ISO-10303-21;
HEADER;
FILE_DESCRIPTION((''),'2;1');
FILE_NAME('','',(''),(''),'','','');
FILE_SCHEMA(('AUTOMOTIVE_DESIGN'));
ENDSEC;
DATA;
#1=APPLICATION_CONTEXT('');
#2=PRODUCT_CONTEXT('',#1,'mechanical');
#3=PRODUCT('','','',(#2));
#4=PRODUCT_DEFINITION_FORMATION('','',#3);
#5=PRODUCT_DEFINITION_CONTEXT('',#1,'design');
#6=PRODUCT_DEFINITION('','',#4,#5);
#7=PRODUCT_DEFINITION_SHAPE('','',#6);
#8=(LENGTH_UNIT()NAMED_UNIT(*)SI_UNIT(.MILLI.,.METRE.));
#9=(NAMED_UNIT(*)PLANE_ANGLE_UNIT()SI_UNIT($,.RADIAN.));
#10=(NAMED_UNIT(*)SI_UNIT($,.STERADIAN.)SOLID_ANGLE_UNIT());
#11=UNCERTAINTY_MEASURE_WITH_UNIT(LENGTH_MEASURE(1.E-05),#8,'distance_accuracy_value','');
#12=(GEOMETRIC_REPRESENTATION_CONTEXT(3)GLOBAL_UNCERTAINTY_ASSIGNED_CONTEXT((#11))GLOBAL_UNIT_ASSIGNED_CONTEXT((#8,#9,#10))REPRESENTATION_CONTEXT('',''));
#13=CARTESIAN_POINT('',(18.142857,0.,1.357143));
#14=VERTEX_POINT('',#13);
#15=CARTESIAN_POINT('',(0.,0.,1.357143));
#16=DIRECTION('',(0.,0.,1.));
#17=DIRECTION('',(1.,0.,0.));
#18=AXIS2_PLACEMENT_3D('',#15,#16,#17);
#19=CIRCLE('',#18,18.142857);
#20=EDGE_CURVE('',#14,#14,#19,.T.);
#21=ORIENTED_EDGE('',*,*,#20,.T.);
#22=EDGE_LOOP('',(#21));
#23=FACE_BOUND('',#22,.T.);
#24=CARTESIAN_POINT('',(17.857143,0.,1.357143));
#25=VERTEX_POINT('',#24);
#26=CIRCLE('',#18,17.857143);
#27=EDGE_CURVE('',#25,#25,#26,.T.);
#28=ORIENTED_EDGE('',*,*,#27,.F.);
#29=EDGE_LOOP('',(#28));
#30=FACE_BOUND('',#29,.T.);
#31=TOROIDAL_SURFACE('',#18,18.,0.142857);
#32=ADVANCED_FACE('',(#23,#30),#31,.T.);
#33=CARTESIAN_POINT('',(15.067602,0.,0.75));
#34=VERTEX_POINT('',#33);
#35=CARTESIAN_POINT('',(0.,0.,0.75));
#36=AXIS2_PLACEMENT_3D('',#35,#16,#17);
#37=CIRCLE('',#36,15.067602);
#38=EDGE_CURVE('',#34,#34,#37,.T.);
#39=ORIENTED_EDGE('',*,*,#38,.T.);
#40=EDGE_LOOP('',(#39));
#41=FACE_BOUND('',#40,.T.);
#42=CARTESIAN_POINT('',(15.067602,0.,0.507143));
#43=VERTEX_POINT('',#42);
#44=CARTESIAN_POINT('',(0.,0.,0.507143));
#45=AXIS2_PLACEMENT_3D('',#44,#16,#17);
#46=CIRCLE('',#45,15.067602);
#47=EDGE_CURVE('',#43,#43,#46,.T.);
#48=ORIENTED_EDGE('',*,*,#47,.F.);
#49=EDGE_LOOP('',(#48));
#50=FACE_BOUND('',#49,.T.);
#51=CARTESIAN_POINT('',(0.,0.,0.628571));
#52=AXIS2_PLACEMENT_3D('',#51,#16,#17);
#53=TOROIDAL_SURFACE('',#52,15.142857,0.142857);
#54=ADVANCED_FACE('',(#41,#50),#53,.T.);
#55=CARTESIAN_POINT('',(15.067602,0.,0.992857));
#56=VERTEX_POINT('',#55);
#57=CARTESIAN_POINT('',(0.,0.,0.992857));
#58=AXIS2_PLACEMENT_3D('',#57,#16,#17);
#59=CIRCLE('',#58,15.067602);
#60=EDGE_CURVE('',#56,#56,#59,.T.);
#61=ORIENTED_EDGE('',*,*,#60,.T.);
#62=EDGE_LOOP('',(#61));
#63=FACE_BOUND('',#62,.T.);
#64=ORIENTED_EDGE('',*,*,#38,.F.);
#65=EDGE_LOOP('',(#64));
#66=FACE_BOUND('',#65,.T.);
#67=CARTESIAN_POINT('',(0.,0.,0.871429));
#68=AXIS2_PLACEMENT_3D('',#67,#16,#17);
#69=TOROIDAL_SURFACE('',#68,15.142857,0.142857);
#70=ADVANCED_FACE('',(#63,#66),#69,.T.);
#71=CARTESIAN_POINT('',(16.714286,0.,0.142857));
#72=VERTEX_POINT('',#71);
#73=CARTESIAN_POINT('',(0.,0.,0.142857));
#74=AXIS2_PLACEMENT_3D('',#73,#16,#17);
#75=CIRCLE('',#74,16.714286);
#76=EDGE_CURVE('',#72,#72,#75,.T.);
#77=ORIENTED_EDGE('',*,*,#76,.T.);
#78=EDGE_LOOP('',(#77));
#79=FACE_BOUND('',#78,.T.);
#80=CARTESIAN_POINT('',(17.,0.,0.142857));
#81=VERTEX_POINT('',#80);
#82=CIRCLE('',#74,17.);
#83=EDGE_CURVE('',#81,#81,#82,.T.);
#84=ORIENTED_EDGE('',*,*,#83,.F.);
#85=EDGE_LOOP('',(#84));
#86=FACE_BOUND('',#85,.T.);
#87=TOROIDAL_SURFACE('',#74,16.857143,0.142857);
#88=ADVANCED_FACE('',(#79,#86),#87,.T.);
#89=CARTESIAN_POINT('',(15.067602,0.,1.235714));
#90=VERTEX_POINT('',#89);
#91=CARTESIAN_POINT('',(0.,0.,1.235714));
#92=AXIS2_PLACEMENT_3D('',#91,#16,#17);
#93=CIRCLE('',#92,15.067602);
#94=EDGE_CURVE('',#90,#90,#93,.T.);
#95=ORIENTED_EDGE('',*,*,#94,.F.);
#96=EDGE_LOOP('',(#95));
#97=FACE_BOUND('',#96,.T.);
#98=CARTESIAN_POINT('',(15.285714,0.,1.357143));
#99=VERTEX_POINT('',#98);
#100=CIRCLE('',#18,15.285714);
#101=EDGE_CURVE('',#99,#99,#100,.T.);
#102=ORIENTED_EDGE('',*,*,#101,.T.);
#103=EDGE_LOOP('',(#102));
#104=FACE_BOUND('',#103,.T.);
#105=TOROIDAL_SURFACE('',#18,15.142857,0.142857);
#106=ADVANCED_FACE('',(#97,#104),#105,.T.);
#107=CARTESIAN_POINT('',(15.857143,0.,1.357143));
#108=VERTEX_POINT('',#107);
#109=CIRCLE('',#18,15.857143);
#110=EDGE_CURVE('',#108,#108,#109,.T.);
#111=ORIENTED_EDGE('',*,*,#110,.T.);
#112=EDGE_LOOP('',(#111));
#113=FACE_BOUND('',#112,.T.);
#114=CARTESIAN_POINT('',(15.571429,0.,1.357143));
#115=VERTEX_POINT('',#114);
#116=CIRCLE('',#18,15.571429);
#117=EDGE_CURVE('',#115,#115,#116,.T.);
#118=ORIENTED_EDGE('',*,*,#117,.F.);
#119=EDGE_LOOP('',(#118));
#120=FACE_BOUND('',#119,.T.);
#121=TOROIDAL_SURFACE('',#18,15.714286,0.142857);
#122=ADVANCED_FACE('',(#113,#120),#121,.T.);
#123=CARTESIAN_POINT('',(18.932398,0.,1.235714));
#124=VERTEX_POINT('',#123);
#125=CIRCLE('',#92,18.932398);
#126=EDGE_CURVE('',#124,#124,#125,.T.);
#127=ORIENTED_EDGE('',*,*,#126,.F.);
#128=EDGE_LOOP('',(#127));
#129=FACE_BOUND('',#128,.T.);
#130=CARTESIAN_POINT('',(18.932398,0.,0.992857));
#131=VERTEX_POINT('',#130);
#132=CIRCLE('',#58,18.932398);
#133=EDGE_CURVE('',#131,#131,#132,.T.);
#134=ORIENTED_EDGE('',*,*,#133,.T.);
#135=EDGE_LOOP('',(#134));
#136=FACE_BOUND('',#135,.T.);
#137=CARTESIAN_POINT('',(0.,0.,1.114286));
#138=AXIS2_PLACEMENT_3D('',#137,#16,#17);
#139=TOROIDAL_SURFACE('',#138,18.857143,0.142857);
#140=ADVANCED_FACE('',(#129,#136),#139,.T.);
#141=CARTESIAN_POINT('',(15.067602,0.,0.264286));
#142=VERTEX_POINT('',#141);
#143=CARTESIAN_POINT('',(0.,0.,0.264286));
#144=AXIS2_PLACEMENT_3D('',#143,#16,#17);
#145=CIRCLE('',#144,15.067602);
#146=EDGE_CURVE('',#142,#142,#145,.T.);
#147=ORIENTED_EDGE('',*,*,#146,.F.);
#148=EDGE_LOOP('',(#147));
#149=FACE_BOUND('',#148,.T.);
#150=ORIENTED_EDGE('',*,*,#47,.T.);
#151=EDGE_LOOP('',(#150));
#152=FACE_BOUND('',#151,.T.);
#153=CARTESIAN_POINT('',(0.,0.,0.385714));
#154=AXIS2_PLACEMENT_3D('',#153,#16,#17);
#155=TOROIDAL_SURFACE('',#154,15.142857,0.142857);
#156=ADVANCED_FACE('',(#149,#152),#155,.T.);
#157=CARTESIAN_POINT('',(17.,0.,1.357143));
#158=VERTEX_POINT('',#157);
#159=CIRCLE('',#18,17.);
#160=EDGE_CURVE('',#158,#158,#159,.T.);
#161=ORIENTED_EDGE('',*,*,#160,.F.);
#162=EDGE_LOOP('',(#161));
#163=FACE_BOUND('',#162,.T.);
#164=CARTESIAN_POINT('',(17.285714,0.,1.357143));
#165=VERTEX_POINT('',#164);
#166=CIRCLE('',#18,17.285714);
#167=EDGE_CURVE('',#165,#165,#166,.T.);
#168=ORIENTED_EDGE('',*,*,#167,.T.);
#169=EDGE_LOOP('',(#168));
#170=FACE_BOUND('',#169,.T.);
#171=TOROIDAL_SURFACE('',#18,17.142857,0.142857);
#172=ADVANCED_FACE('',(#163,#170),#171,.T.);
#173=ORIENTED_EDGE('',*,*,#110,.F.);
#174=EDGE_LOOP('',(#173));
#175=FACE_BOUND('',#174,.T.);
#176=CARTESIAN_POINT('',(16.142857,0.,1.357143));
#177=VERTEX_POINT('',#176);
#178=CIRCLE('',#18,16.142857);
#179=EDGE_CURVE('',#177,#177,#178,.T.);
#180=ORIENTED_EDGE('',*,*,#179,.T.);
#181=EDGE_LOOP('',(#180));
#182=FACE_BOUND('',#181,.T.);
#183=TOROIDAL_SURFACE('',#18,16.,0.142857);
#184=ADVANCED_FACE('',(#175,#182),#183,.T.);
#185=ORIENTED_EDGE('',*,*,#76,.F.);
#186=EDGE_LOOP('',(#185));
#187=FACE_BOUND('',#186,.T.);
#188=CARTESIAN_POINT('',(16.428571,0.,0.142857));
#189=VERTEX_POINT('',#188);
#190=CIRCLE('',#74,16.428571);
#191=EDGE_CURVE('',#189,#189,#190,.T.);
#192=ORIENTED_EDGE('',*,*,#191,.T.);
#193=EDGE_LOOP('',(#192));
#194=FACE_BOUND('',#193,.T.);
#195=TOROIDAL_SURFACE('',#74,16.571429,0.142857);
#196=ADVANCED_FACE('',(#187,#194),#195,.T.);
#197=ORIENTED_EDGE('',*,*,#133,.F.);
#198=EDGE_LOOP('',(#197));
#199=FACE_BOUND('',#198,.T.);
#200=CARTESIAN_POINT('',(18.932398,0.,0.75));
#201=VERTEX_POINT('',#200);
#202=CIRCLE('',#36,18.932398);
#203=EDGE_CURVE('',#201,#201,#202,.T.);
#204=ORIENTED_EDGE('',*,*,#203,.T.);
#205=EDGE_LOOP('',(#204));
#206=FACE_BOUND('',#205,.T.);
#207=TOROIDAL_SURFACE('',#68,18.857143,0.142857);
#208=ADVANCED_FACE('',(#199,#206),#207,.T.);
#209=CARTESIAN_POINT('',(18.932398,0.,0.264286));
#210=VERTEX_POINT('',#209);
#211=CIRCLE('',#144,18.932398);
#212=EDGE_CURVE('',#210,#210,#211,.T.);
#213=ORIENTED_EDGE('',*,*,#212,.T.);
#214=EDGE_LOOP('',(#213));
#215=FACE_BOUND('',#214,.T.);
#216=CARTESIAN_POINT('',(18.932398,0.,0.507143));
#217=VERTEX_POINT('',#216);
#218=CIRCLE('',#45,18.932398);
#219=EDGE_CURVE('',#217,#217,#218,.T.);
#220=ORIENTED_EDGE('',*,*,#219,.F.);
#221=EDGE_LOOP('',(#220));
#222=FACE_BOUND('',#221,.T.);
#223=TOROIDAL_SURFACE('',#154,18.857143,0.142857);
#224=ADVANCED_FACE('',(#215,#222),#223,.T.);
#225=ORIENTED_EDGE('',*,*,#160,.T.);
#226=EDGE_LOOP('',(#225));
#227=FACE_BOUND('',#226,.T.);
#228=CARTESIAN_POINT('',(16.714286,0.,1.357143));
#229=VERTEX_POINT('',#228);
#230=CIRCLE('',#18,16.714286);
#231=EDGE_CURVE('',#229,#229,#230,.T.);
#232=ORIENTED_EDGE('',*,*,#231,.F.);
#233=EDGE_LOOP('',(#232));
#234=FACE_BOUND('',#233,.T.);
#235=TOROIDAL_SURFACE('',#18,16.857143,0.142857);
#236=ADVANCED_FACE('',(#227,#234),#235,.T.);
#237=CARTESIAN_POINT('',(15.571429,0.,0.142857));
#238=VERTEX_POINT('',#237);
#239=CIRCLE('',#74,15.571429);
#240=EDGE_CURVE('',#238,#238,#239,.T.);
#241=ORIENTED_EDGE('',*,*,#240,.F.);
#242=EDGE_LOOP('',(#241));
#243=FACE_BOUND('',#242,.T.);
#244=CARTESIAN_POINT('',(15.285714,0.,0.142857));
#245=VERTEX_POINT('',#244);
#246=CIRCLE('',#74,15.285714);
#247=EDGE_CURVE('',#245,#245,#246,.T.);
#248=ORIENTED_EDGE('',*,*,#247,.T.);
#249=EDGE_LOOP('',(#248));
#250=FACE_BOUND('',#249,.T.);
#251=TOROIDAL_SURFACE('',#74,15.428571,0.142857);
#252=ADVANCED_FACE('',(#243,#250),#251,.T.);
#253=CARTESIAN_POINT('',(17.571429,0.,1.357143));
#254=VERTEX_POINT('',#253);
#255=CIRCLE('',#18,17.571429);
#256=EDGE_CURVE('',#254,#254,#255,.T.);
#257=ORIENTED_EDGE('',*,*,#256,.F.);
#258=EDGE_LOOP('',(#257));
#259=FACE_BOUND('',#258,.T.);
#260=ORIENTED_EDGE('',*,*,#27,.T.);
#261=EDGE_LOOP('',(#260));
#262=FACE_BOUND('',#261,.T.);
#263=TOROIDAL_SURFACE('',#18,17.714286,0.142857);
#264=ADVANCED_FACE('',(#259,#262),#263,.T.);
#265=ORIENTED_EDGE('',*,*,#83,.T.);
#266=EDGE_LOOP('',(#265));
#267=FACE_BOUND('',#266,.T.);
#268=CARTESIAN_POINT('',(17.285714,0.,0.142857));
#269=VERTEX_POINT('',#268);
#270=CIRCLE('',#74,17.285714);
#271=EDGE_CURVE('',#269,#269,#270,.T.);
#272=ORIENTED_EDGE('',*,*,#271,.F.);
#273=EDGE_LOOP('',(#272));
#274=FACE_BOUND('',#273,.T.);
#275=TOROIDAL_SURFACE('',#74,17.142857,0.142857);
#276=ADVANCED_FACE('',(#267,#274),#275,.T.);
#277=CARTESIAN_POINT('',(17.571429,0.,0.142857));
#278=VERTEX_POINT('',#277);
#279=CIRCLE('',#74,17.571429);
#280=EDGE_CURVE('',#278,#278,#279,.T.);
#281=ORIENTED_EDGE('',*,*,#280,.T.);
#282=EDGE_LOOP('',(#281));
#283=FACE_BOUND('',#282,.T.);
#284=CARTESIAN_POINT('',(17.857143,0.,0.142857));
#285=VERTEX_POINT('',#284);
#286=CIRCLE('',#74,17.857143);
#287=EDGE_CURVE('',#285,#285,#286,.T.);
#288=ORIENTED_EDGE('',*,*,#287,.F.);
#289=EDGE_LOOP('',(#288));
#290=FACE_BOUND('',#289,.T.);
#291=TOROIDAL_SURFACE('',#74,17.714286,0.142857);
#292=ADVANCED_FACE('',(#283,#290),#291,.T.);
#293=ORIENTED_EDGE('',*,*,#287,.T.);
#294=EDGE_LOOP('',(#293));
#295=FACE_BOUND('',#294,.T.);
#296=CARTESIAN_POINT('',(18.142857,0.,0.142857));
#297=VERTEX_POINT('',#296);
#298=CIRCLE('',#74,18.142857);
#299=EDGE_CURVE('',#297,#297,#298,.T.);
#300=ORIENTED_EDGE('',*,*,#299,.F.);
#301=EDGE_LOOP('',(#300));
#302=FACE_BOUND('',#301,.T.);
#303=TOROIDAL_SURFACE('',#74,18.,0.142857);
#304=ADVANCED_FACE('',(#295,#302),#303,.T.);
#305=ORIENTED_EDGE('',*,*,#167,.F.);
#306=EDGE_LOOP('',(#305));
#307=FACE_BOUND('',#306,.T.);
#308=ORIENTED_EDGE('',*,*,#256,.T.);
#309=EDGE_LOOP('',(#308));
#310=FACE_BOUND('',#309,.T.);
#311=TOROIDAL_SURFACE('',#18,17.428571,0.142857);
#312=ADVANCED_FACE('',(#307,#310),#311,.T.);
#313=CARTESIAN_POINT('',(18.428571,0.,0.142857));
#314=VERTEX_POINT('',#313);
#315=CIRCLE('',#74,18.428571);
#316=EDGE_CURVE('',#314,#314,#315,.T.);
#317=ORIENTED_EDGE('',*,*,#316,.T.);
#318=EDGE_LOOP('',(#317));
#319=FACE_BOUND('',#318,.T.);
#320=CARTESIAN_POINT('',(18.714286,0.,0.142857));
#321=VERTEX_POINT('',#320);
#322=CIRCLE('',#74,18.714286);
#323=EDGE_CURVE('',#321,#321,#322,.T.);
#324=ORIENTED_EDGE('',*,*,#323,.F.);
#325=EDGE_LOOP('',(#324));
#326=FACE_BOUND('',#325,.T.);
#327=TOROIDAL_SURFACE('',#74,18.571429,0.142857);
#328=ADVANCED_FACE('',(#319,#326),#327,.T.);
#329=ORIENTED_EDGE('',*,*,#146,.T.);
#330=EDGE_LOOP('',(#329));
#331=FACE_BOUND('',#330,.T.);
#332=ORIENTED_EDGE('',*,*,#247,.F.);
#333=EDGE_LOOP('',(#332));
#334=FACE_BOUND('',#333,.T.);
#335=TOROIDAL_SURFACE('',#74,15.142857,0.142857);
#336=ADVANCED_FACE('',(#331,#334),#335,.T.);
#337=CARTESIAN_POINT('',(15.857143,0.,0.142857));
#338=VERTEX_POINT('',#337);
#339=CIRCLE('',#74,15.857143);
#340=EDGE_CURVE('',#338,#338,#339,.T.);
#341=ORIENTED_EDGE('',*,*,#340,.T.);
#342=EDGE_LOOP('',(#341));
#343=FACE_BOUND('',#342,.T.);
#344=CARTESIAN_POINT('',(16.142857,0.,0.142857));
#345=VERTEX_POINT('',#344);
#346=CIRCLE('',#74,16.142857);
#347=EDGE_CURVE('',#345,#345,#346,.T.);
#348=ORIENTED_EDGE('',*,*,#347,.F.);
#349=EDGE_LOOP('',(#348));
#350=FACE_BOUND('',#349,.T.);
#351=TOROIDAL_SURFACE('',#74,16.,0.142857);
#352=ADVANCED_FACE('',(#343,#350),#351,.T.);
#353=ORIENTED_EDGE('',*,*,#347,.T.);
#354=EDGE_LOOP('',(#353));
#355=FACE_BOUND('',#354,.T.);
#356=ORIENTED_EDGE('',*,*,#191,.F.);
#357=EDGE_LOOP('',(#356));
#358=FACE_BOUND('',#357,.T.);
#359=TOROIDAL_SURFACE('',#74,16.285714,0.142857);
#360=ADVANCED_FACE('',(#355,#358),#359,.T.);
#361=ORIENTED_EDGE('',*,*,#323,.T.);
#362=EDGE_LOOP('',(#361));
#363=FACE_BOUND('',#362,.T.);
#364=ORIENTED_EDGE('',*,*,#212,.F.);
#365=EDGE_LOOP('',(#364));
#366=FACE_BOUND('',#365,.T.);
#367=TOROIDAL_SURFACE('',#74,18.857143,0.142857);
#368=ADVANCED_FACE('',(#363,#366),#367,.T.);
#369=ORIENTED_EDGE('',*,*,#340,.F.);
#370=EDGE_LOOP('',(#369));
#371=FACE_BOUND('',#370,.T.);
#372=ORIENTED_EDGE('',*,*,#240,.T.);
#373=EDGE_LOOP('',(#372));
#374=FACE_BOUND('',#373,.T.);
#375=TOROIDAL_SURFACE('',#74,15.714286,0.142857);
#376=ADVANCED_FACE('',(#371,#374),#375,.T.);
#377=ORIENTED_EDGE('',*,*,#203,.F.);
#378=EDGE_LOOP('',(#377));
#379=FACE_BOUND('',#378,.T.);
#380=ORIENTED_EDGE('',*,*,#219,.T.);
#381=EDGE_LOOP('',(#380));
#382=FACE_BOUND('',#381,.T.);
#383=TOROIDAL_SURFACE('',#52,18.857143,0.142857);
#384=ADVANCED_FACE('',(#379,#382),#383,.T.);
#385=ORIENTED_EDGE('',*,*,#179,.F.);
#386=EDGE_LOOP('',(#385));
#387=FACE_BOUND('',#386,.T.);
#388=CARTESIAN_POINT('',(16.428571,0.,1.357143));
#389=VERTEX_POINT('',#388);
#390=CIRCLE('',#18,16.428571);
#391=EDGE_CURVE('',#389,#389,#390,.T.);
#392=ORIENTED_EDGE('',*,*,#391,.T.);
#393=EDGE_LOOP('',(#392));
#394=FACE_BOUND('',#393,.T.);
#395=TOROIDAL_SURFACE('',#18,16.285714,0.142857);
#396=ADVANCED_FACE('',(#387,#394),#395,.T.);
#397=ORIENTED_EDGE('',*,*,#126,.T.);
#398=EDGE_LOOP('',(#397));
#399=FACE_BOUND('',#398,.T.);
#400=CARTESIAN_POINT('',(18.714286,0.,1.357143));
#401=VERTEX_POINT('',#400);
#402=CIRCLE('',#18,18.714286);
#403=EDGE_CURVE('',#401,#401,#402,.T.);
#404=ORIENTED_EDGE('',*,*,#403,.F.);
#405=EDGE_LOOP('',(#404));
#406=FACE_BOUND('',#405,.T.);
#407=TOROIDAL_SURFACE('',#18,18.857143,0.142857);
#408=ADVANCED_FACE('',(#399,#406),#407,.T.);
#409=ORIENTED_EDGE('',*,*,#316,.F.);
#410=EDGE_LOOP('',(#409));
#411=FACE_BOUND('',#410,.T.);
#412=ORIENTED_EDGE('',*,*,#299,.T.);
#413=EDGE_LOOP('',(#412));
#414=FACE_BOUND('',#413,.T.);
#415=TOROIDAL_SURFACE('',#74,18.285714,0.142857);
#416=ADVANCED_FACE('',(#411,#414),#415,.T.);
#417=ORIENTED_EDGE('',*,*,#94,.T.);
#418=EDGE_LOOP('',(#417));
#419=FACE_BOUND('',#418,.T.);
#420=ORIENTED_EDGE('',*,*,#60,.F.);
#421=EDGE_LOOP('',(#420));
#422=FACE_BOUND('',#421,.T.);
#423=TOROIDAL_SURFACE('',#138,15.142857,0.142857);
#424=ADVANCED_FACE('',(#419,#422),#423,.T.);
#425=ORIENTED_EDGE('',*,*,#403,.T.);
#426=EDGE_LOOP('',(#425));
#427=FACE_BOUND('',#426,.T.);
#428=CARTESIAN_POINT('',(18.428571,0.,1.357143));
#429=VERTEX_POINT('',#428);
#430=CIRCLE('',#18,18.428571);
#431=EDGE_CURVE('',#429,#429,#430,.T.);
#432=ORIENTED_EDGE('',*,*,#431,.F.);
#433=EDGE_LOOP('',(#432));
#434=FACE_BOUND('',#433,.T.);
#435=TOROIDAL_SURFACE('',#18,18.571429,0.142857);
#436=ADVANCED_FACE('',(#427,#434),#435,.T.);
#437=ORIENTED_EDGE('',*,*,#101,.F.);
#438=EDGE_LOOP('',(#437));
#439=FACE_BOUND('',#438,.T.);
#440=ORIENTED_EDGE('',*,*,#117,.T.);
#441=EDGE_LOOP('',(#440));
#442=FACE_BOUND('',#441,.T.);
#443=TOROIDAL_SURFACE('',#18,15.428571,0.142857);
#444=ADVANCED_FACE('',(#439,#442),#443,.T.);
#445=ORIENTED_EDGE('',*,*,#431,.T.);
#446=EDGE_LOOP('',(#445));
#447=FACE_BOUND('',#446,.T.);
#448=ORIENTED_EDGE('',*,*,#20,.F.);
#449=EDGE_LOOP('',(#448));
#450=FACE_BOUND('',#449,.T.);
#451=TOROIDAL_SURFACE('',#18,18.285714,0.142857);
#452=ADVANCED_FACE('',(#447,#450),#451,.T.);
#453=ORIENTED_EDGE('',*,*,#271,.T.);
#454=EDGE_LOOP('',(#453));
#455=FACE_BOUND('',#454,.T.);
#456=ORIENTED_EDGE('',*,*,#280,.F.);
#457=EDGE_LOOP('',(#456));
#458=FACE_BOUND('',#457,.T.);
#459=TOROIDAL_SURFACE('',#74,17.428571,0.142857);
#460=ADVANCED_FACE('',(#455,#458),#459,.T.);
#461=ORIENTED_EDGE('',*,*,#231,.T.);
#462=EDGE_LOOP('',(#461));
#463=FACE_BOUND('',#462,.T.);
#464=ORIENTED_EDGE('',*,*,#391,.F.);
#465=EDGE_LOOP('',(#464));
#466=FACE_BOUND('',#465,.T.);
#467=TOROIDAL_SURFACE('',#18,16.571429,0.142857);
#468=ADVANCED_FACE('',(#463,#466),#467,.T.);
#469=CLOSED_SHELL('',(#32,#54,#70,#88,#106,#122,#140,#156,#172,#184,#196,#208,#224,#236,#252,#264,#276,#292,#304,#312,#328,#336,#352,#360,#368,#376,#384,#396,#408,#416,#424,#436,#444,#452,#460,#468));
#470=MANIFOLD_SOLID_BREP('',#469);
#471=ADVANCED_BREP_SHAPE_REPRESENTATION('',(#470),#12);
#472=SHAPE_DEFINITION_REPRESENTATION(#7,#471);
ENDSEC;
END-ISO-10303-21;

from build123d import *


with BuildPart() as part:
    # Эскиз1 → Повернуть1 (revolve)
    with BuildSketch(Plane(origin=(0, 0, 0), x_dir=(1, 0, 0), z_dir=(0, 1, 0)), mode=Mode.PRIVATE) as revolve_1_sk:
        with BuildLine():
            ThreePointArc((-18.714285714, -1.357142857), (-18.926632051, -1.481960385), (-18.932397527, -1.235714286))
            ThreePointArc((-18.932397527, -1.235714286), (-19, -1.114285714), (-18.932397527, -0.992857143))
            ThreePointArc((-18.932397527, -0.992857143), (-19, -0.871428571), (-18.932397527, -0.75))
            ThreePointArc((-18.932397527, -0.75), (-19, -0.628571429), (-18.932397527, -0.507142857))
            ThreePointArc((-18.932397527, -0.507142857), (-19, -0.385714286), (-18.932397527, -0.264285714))
            ThreePointArc((-18.932397527, -0.264285714), (-18.926632051, -0.018039615), (-18.714285714, -0.142857143))
            ThreePointArc((-18.714285714, -0.142857143), (-18.571428571, 0), (-18.428571429, -0.142857143))
            ThreePointArc((-18.428571429, -0.142857143), (-18.285714286, 0), (-18.142857143, -0.142857143))
            ThreePointArc((-18.142857143, -0.142857143), (-18, 0), (-17.857142857, -0.142857143))
            ThreePointArc((-17.857142857, -0.142857143), (-17.714285714, 0), (-17.571428571, -0.142857143))
            ThreePointArc((-17.571428571, -0.142857143), (-17.428571429, 0), (-17.285714286, -0.142857143))
            ThreePointArc((-17.285714286, -0.142857143), (-17.142857143, 0), (-17, -0.142857143))
            ThreePointArc((-17, -0.142857143), (-16.857142857, 0), (-16.714285714, -0.142857143))
            ThreePointArc((-16.714285714, -0.142857143), (-16.571428571, 0), (-16.428571429, -0.142857143))
            ThreePointArc((-16.428571429, -0.142857143), (-16.285714286, 0), (-16.142857143, -0.142857143))
            ThreePointArc((-16.142857143, -0.142857143), (-16, 0), (-15.857142857, -0.142857143))
            ThreePointArc((-15.857142857, -0.142857143), (-15.714285714, 0), (-15.571428571, -0.142857143))
            ThreePointArc((-15.571428571, -0.142857143), (-15.428571429, 0), (-15.285714286, -0.142857143))
            ThreePointArc((-15.285714286, -0.142857143), (-15.073367949, -0.018039615), (-15.067602473, -0.264285714))
            ThreePointArc((-15.067602473, -0.264285714), (-15, -0.385714286), (-15.067602473, -0.507142857))
            ThreePointArc((-15.067602473, -0.507142857), (-15, -0.628571429), (-15.067602473, -0.75))
            ThreePointArc((-15.067602473, -0.75), (-15, -0.871428571), (-15.067602473, -0.992857143))
            ThreePointArc((-15.067602473, -0.992857143), (-15, -1.114285714), (-15.067602473, -1.235714286))
            ThreePointArc((-15.067602473, -1.235714286), (-15.073367949, -1.481960385), (-15.285714286, -1.357142857))
            ThreePointArc((-15.285714286, -1.357142857), (-15.428571429, -1.5), (-15.571428571, -1.357142857))
            ThreePointArc((-15.571428571, -1.357142857), (-15.714285714, -1.5), (-15.857142857, -1.357142857))
            ThreePointArc((-15.857142857, -1.357142857), (-16, -1.5), (-16.142857143, -1.357142857))
            ThreePointArc((-16.142857143, -1.357142857), (-16.285714286, -1.5), (-16.428571429, -1.357142857))
            ThreePointArc((-16.428571429, -1.357142857), (-16.571428571, -1.5), (-16.714285714, -1.357142857))
            ThreePointArc((-16.714285714, -1.357142857), (-16.857142857, -1.5), (-17, -1.357142857))
            ThreePointArc((-17, -1.357142857), (-17.142857143, -1.5), (-17.285714286, -1.357142857))
            ThreePointArc((-17.285714286, -1.357142857), (-17.428571429, -1.5), (-17.571428571, -1.357142857))
            ThreePointArc((-17.571428571, -1.357142857), (-17.714285714, -1.5), (-17.857142857, -1.357142857))
            ThreePointArc((-17.857142857, -1.357142857), (-18, -1.5), (-18.142857143, -1.357142857))
            ThreePointArc((-18.142857143, -1.357142857), (-18.285714286, -1.5), (-18.428571429, -1.357142857))
            ThreePointArc((-18.428571429, -1.357142857), (-18.571428571, -1.5), (-18.714285714, -1.357142857))
        make_face()
    revolve(revolve_1_sk.sketch.rotate(Axis((0, 0, 2.280730666), (0, 0, -1)), 180), axis=Axis((0, 0, 2.280730666), (0, 0, -1)))


solid = part.part
